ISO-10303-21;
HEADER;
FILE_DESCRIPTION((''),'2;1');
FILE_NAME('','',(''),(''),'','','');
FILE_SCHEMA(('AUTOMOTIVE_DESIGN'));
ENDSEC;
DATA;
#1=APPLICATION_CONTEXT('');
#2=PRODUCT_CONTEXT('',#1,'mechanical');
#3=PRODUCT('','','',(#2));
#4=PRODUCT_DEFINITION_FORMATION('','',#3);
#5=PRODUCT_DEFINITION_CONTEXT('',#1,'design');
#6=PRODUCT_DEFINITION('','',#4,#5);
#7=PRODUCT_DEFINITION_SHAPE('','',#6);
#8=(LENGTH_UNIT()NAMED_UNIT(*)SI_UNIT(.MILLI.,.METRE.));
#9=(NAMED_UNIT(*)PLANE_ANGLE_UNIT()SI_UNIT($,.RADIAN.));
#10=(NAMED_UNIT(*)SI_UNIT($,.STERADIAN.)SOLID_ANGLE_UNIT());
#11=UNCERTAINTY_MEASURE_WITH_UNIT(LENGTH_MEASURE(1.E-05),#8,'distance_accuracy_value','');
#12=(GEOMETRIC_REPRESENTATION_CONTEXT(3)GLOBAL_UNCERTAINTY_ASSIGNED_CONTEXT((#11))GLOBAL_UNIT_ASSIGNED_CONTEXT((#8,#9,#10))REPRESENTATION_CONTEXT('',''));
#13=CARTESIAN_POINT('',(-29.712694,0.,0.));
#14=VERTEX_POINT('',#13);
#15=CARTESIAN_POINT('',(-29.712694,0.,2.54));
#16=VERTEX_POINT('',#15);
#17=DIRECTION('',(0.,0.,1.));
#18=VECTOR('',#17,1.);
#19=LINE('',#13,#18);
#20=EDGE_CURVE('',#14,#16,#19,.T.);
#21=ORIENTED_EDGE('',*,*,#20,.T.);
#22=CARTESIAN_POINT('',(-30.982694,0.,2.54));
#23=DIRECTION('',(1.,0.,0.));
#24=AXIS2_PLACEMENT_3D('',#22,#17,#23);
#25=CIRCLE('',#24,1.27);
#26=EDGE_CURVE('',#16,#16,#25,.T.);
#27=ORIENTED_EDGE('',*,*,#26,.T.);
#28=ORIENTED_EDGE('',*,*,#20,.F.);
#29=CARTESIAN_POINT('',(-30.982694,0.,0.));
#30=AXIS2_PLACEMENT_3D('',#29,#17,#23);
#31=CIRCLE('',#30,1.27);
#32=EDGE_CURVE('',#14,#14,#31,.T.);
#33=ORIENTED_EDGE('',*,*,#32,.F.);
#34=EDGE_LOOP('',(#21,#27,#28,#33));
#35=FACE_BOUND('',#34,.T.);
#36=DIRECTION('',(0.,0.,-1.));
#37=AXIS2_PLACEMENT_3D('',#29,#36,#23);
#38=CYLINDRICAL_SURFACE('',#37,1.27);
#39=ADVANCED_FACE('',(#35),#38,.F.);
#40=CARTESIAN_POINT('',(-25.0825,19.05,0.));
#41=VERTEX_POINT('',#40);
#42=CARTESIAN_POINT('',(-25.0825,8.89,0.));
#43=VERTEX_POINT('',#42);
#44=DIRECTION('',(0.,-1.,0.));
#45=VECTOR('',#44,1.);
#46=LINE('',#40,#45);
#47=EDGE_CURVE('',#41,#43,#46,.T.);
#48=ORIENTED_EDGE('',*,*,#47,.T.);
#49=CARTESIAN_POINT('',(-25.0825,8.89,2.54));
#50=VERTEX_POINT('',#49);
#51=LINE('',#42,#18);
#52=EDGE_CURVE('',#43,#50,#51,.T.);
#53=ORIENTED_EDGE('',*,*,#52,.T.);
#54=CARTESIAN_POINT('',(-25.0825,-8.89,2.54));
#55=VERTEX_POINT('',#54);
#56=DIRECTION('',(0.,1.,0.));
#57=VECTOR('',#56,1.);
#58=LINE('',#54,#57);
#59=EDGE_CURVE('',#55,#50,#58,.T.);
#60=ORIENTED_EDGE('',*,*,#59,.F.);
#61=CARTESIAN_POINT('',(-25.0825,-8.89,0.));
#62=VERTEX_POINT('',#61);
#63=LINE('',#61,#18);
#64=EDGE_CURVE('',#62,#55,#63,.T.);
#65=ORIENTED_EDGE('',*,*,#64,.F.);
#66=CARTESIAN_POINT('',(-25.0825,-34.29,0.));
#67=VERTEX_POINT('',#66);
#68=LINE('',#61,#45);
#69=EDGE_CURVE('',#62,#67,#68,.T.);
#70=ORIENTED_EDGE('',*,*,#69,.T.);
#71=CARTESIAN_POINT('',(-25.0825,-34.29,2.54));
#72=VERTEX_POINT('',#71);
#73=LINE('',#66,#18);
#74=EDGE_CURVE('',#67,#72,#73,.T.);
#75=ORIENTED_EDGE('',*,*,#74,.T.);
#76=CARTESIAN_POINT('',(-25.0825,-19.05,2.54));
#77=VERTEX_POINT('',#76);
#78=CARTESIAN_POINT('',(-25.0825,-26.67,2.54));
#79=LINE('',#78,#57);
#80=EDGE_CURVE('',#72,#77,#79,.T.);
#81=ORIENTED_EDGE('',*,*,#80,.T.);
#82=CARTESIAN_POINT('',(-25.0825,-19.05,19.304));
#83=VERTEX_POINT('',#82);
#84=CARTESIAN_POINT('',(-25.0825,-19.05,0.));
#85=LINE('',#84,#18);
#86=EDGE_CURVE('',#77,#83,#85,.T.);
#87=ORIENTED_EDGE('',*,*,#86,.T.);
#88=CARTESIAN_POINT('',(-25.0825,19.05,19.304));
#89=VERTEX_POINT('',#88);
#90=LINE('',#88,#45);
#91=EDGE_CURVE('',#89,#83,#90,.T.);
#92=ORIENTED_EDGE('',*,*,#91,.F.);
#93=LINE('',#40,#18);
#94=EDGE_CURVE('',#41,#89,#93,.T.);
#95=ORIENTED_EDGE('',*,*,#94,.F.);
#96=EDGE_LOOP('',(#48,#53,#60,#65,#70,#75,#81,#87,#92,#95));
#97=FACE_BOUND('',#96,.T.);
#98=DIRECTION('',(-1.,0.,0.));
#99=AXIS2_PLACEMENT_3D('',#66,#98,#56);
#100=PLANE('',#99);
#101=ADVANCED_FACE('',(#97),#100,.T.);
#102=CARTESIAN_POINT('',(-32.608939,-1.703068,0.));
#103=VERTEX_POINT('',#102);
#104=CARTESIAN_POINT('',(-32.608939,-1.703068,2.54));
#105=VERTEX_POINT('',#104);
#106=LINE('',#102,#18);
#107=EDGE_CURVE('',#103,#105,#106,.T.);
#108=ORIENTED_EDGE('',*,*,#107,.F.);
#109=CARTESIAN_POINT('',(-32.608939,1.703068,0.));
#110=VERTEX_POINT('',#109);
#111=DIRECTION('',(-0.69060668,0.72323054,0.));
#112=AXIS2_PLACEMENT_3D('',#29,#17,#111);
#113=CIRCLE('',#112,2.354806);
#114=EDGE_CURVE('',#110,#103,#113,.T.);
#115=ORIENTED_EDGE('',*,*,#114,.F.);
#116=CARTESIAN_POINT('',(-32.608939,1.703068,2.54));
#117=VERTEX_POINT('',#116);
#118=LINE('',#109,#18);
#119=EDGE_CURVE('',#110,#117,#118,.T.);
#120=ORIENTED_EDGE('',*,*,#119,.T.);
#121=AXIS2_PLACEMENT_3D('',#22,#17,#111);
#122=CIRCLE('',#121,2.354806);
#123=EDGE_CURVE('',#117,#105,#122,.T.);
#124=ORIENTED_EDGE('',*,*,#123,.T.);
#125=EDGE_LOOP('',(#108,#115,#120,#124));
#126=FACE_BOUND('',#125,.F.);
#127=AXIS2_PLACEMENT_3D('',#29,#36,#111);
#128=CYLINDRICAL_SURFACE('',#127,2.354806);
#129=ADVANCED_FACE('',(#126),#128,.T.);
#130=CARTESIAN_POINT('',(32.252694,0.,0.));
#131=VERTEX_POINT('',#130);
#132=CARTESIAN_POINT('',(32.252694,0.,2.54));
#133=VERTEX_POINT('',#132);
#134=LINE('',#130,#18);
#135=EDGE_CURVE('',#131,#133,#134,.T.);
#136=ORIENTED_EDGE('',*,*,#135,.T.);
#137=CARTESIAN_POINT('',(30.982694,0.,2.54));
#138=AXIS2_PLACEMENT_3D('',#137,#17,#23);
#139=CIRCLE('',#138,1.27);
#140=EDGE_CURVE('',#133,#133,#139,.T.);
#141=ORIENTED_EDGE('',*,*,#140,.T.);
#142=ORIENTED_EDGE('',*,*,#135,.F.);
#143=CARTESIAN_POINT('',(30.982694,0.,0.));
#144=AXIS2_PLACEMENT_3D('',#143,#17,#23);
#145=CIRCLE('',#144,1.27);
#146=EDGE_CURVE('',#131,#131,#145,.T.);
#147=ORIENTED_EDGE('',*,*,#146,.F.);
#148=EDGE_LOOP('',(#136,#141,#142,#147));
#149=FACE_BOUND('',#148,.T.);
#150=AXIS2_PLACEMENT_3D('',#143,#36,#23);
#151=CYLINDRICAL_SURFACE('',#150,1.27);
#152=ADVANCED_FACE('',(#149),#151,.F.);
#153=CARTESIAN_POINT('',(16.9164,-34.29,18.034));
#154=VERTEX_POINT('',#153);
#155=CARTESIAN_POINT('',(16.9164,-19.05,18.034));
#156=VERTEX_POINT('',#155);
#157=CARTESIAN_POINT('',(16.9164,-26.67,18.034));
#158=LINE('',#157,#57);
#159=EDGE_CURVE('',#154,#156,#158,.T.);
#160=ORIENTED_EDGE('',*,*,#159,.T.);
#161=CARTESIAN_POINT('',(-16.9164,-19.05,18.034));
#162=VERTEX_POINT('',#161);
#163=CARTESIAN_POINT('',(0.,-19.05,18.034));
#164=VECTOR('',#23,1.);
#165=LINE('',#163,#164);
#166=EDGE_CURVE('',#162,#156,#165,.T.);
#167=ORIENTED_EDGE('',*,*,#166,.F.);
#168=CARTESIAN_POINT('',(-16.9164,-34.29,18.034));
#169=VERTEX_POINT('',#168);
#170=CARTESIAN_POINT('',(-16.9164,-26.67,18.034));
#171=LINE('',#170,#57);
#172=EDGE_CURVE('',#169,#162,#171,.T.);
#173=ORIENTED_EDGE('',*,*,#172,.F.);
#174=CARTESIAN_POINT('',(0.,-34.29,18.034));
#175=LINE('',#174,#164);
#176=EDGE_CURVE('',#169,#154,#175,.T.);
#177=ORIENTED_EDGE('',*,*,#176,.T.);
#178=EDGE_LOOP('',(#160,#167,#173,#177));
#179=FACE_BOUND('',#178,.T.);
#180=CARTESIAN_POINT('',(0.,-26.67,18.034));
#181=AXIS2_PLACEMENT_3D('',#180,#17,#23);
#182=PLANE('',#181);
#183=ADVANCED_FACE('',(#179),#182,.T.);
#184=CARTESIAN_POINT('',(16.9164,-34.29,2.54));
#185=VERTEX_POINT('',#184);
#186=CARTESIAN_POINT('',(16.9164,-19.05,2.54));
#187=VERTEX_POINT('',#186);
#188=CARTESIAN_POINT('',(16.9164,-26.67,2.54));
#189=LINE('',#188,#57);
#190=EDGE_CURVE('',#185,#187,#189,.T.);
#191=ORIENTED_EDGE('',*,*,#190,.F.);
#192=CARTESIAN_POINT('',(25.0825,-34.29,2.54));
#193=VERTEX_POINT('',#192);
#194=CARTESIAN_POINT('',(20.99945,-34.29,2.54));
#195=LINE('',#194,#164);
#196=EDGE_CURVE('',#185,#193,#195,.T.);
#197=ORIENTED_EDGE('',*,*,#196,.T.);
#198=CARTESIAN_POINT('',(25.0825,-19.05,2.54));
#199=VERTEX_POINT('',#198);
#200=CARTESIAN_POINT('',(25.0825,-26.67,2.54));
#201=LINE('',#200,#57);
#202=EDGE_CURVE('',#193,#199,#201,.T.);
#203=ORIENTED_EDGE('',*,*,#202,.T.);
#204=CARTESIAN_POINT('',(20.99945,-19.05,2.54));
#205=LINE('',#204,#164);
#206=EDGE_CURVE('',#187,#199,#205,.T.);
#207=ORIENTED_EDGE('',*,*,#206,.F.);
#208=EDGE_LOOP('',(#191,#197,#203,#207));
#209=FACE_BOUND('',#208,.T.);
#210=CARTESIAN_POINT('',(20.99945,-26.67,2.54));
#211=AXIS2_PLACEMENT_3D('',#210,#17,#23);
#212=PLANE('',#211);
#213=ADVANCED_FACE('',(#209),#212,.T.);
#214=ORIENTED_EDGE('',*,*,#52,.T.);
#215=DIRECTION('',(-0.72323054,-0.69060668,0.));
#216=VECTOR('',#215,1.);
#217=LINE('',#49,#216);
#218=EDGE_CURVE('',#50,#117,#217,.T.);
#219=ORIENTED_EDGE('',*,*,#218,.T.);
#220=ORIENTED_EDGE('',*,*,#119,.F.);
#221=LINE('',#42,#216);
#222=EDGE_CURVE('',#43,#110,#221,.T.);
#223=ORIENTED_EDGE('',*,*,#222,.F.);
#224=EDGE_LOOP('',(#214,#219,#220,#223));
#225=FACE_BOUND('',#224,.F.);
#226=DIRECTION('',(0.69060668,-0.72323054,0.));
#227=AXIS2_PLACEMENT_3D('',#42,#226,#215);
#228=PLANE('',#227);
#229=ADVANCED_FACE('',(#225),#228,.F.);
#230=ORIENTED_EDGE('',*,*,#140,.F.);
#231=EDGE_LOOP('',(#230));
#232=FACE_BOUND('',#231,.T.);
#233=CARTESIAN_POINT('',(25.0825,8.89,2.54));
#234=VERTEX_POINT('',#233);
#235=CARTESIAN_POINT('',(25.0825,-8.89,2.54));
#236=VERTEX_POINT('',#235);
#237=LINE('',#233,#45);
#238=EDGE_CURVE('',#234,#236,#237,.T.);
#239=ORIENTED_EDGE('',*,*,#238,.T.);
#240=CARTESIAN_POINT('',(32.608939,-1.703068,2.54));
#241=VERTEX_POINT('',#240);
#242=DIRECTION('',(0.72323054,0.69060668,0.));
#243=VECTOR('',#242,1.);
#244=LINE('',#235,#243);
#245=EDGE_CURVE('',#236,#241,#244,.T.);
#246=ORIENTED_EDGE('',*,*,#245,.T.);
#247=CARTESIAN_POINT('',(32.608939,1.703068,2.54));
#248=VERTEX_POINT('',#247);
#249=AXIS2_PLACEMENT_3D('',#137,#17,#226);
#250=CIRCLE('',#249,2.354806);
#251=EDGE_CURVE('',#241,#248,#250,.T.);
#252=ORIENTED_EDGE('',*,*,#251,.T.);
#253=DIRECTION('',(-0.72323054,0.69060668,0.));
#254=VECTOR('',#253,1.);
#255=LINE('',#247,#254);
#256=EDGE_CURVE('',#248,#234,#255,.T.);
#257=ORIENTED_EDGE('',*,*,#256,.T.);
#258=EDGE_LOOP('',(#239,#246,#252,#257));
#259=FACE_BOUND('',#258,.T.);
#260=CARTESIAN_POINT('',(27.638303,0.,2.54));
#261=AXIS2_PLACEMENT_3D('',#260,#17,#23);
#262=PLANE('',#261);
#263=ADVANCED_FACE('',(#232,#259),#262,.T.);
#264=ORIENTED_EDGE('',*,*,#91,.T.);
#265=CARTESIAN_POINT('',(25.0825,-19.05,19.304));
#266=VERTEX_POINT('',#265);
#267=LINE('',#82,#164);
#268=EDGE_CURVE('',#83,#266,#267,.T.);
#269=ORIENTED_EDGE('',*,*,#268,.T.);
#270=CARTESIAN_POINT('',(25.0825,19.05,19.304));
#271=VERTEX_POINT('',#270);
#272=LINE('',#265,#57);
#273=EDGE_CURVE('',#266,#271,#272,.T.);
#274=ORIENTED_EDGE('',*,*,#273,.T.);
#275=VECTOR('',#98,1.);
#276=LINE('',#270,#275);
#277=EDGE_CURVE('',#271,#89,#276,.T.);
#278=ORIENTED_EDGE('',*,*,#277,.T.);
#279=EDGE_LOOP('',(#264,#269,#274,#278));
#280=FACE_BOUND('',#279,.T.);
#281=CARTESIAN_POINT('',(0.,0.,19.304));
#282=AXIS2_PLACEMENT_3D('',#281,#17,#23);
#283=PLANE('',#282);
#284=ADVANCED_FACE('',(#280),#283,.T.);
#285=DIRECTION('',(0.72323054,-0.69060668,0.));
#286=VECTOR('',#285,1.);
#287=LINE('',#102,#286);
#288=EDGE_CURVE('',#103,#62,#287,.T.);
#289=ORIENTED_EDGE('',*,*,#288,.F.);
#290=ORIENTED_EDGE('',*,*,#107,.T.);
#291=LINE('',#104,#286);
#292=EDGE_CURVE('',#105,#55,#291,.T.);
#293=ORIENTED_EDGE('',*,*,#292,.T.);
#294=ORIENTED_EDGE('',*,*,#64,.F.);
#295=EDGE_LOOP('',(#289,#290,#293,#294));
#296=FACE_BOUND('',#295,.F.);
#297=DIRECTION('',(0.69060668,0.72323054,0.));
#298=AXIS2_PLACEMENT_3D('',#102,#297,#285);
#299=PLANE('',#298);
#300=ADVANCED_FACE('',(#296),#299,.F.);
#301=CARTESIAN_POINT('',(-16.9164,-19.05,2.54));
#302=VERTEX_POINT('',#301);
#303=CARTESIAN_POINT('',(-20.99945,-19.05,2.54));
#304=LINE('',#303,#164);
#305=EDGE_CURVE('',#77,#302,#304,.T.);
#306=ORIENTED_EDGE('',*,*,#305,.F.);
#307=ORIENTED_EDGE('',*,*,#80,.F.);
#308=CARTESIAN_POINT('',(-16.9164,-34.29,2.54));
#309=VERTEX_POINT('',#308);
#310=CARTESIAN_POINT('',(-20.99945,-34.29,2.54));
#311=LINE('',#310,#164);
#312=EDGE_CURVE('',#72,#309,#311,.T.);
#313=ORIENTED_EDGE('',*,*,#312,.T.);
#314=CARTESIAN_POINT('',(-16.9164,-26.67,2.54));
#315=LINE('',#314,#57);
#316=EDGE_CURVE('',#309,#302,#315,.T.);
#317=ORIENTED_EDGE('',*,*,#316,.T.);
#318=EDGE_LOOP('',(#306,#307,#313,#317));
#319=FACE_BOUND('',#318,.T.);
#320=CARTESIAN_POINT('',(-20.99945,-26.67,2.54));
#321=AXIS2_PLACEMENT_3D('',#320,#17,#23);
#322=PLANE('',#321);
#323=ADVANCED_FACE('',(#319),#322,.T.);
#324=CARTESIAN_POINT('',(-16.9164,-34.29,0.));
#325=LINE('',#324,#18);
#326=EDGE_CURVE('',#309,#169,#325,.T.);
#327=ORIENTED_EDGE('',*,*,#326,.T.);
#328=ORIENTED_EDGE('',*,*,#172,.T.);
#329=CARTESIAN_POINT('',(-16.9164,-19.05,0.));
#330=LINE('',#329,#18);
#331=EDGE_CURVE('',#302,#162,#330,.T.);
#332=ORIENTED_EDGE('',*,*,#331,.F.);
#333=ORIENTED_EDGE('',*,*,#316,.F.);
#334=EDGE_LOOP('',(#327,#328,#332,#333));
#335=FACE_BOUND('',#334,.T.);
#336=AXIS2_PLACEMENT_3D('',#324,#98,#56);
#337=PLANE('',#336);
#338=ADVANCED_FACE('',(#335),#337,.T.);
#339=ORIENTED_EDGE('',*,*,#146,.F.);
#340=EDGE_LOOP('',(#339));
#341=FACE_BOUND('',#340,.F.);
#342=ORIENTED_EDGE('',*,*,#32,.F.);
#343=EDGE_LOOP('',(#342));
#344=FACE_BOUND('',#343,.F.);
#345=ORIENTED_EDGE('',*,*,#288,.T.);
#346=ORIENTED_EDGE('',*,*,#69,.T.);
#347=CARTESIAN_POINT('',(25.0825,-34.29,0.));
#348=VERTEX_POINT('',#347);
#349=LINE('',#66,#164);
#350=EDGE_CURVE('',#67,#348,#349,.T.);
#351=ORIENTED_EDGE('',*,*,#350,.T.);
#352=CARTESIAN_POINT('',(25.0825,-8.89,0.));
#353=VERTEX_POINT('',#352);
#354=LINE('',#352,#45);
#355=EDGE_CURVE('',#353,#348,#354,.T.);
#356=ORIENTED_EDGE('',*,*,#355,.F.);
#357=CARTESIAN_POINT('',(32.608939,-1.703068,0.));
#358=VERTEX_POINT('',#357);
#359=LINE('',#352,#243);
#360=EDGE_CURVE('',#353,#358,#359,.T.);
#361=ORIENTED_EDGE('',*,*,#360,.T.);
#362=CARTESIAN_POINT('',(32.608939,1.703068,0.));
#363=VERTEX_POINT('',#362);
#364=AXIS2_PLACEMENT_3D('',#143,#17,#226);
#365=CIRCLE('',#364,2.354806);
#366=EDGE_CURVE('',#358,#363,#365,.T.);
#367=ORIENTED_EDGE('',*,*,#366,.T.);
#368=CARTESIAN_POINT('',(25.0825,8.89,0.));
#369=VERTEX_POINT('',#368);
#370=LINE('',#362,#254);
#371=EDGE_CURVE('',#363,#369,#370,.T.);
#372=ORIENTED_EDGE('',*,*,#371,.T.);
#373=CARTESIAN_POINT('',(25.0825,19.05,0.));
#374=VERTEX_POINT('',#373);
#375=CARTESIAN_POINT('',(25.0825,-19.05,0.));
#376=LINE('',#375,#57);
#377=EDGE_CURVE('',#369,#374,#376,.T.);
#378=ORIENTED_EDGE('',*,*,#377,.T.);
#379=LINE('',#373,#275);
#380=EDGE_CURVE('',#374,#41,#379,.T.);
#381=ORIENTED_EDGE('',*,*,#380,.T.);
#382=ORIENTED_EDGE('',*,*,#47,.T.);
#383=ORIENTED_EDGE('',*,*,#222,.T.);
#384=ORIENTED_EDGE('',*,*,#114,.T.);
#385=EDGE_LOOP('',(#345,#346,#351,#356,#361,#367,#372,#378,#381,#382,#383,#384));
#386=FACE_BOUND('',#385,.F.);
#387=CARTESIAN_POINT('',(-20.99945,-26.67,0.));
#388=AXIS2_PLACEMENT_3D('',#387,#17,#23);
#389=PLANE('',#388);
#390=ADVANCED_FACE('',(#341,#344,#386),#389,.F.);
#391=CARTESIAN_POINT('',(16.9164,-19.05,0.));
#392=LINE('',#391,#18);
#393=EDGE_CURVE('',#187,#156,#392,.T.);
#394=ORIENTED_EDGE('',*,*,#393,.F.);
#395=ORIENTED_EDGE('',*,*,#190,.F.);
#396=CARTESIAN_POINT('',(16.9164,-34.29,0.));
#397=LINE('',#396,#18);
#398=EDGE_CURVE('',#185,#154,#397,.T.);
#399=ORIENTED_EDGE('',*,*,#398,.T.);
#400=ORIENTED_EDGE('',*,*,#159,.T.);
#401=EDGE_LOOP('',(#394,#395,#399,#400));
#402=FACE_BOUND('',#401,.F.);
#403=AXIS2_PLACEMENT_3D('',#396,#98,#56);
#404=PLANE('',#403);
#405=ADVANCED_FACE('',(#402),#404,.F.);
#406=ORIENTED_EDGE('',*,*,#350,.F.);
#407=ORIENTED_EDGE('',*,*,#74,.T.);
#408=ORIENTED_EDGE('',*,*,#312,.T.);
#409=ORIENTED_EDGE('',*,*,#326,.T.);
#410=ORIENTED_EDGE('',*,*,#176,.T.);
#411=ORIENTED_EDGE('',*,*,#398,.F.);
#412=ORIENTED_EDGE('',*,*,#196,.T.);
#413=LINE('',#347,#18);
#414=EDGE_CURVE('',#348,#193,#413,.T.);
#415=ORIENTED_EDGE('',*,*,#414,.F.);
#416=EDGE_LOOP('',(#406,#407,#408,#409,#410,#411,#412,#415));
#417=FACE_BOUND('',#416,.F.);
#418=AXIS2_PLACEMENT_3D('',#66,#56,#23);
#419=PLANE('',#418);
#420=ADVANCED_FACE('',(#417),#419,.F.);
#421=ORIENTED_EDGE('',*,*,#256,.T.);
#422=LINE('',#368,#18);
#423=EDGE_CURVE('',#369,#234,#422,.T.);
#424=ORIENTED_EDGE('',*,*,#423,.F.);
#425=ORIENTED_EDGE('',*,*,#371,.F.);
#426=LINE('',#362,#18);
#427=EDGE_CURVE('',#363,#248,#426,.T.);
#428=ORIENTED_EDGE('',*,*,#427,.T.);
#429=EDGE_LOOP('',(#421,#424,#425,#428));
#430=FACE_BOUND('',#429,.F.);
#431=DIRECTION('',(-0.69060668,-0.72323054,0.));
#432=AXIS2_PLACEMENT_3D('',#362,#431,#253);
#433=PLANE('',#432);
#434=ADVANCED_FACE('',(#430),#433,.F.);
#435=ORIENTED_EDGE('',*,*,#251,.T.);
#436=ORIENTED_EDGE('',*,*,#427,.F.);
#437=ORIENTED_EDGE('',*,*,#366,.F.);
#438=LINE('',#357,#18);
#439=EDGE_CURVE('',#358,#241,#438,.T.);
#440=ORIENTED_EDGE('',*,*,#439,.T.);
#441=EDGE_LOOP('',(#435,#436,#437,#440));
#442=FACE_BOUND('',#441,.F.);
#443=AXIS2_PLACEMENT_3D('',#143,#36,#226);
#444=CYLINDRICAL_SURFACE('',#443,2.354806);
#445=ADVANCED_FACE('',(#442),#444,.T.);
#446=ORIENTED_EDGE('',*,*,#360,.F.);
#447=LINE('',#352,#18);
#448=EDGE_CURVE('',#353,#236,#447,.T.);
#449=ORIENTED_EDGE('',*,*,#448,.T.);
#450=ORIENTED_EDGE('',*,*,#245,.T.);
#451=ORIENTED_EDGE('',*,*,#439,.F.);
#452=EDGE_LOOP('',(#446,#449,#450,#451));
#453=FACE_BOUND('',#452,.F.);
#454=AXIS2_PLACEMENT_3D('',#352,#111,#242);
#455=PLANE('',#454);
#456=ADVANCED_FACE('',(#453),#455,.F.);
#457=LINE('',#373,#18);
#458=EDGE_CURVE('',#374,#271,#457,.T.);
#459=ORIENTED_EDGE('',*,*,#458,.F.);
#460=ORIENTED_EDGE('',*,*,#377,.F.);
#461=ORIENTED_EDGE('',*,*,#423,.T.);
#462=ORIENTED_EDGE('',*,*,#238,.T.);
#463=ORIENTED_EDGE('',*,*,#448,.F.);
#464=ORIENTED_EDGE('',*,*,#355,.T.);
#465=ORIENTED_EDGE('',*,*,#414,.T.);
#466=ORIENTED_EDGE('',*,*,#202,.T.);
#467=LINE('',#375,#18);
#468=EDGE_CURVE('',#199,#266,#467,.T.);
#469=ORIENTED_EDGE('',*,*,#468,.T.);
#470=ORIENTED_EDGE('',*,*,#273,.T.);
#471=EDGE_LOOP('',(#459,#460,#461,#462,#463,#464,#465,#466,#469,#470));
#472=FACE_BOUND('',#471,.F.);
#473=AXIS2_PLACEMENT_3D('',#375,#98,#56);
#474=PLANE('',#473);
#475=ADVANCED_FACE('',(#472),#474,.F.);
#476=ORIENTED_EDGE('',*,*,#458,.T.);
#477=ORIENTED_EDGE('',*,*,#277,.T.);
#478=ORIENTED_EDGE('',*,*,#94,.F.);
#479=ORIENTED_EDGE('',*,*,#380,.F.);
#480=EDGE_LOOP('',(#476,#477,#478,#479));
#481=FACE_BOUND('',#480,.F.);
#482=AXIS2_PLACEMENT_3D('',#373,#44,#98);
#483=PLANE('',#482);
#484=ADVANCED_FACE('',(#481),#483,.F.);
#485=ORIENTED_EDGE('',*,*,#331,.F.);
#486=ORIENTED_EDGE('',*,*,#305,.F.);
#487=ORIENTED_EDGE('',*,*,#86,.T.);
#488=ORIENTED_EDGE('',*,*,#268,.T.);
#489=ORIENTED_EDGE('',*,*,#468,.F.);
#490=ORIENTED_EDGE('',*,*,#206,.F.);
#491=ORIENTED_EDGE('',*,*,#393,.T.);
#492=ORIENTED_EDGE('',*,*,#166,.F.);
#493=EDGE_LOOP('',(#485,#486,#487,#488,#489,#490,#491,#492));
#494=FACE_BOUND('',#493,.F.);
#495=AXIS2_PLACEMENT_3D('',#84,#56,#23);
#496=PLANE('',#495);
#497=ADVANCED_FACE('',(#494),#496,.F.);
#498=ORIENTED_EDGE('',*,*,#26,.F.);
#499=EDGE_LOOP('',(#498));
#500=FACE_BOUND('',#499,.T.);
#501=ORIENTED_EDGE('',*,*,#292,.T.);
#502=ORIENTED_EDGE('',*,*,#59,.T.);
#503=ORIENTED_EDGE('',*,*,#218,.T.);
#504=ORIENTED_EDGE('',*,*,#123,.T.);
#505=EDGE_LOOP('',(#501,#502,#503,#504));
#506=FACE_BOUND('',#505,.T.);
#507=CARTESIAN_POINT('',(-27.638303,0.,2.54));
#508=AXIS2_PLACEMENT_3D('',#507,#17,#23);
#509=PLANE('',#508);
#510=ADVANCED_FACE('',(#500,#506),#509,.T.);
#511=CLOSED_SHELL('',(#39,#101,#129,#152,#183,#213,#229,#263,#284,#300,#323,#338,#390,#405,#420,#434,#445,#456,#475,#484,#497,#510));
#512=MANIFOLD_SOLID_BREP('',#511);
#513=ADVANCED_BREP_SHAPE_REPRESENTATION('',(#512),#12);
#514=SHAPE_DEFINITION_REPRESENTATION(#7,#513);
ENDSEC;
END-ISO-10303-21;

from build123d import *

# Parameters (mm, degrees)
F1_DEPTH = 19.304
F0_W     = 33.8328
F0_H     = 15.24
F2_DEPTH = 18.034
F0_W_2   = 8.1661
F0_R     = 1.27
F3_DEPTH = 2.54


with BuildPart() as f1:
    # F0 (on Top) → F1 (new body)
    with BuildSketch(Plane.XY):
        Polygon((25.0825, 8.89), (25.0825, 19.05), (-25.0825, 19.05), (-25.0825, 8.89), (-25.0825, -8.89), (-25.0825, -19.05), (-16.9164, -19.05), (16.9164, -19.05), (25.0825, -19.05), (25.0825, -8.89), align=None)
    extrude(amount=F1_DEPTH)

    # F0 (on Top) → F2 (join, through all)
    with BuildSketch(Plane.XY):
        with Locations((0, -26.67)):
            Rectangle(F0_W, F0_H)
    extrude(amount=F2_DEPTH)

    # F0 (on Top) → F3 (join)
    with BuildSketch(Plane.XY):
        with Locations((-20.99945, -26.67)):
            Rectangle(F0_W_2, F0_H)
        with Locations((20.99945, -26.67)):
            Rectangle(F0_W_2, F0_H)
        with BuildLine():
            Line((-25.0825, -8.89), (-25.0825, 8.89))
            Line((-25.0825, 8.89), (-32.608938648, 1.7030678618))
            ThreePointArc((-32.608938648, 1.7030678618), (-33.3375, 0), (-32.608938648, -1.7030678618))
            Line((-32.608938648, -1.7030678618), (-25.0825, -8.89))
        make_face()
        with Locations((-30.9826936573, 0)):
            Circle(F0_R, mode=Mode.SUBTRACT)
        with BuildLine():
            Line((32.608938648, 1.7030678618), (25.0825, 8.89))
            Line((25.0825, 8.89), (25.0825, -8.89))
            Line((25.0825, -8.89), (32.608938648, -1.7030678618))
            ThreePointArc((32.608938648, -1.7030678618), (33.3375, 0), (32.608938648, 1.7030678618))
        make_face()
        with Locations((30.9826936573, 0)):
            Circle(F0_R, mode=Mode.SUBTRACT)
    extrude(amount=F3_DEPTH)


solid = f1.part
